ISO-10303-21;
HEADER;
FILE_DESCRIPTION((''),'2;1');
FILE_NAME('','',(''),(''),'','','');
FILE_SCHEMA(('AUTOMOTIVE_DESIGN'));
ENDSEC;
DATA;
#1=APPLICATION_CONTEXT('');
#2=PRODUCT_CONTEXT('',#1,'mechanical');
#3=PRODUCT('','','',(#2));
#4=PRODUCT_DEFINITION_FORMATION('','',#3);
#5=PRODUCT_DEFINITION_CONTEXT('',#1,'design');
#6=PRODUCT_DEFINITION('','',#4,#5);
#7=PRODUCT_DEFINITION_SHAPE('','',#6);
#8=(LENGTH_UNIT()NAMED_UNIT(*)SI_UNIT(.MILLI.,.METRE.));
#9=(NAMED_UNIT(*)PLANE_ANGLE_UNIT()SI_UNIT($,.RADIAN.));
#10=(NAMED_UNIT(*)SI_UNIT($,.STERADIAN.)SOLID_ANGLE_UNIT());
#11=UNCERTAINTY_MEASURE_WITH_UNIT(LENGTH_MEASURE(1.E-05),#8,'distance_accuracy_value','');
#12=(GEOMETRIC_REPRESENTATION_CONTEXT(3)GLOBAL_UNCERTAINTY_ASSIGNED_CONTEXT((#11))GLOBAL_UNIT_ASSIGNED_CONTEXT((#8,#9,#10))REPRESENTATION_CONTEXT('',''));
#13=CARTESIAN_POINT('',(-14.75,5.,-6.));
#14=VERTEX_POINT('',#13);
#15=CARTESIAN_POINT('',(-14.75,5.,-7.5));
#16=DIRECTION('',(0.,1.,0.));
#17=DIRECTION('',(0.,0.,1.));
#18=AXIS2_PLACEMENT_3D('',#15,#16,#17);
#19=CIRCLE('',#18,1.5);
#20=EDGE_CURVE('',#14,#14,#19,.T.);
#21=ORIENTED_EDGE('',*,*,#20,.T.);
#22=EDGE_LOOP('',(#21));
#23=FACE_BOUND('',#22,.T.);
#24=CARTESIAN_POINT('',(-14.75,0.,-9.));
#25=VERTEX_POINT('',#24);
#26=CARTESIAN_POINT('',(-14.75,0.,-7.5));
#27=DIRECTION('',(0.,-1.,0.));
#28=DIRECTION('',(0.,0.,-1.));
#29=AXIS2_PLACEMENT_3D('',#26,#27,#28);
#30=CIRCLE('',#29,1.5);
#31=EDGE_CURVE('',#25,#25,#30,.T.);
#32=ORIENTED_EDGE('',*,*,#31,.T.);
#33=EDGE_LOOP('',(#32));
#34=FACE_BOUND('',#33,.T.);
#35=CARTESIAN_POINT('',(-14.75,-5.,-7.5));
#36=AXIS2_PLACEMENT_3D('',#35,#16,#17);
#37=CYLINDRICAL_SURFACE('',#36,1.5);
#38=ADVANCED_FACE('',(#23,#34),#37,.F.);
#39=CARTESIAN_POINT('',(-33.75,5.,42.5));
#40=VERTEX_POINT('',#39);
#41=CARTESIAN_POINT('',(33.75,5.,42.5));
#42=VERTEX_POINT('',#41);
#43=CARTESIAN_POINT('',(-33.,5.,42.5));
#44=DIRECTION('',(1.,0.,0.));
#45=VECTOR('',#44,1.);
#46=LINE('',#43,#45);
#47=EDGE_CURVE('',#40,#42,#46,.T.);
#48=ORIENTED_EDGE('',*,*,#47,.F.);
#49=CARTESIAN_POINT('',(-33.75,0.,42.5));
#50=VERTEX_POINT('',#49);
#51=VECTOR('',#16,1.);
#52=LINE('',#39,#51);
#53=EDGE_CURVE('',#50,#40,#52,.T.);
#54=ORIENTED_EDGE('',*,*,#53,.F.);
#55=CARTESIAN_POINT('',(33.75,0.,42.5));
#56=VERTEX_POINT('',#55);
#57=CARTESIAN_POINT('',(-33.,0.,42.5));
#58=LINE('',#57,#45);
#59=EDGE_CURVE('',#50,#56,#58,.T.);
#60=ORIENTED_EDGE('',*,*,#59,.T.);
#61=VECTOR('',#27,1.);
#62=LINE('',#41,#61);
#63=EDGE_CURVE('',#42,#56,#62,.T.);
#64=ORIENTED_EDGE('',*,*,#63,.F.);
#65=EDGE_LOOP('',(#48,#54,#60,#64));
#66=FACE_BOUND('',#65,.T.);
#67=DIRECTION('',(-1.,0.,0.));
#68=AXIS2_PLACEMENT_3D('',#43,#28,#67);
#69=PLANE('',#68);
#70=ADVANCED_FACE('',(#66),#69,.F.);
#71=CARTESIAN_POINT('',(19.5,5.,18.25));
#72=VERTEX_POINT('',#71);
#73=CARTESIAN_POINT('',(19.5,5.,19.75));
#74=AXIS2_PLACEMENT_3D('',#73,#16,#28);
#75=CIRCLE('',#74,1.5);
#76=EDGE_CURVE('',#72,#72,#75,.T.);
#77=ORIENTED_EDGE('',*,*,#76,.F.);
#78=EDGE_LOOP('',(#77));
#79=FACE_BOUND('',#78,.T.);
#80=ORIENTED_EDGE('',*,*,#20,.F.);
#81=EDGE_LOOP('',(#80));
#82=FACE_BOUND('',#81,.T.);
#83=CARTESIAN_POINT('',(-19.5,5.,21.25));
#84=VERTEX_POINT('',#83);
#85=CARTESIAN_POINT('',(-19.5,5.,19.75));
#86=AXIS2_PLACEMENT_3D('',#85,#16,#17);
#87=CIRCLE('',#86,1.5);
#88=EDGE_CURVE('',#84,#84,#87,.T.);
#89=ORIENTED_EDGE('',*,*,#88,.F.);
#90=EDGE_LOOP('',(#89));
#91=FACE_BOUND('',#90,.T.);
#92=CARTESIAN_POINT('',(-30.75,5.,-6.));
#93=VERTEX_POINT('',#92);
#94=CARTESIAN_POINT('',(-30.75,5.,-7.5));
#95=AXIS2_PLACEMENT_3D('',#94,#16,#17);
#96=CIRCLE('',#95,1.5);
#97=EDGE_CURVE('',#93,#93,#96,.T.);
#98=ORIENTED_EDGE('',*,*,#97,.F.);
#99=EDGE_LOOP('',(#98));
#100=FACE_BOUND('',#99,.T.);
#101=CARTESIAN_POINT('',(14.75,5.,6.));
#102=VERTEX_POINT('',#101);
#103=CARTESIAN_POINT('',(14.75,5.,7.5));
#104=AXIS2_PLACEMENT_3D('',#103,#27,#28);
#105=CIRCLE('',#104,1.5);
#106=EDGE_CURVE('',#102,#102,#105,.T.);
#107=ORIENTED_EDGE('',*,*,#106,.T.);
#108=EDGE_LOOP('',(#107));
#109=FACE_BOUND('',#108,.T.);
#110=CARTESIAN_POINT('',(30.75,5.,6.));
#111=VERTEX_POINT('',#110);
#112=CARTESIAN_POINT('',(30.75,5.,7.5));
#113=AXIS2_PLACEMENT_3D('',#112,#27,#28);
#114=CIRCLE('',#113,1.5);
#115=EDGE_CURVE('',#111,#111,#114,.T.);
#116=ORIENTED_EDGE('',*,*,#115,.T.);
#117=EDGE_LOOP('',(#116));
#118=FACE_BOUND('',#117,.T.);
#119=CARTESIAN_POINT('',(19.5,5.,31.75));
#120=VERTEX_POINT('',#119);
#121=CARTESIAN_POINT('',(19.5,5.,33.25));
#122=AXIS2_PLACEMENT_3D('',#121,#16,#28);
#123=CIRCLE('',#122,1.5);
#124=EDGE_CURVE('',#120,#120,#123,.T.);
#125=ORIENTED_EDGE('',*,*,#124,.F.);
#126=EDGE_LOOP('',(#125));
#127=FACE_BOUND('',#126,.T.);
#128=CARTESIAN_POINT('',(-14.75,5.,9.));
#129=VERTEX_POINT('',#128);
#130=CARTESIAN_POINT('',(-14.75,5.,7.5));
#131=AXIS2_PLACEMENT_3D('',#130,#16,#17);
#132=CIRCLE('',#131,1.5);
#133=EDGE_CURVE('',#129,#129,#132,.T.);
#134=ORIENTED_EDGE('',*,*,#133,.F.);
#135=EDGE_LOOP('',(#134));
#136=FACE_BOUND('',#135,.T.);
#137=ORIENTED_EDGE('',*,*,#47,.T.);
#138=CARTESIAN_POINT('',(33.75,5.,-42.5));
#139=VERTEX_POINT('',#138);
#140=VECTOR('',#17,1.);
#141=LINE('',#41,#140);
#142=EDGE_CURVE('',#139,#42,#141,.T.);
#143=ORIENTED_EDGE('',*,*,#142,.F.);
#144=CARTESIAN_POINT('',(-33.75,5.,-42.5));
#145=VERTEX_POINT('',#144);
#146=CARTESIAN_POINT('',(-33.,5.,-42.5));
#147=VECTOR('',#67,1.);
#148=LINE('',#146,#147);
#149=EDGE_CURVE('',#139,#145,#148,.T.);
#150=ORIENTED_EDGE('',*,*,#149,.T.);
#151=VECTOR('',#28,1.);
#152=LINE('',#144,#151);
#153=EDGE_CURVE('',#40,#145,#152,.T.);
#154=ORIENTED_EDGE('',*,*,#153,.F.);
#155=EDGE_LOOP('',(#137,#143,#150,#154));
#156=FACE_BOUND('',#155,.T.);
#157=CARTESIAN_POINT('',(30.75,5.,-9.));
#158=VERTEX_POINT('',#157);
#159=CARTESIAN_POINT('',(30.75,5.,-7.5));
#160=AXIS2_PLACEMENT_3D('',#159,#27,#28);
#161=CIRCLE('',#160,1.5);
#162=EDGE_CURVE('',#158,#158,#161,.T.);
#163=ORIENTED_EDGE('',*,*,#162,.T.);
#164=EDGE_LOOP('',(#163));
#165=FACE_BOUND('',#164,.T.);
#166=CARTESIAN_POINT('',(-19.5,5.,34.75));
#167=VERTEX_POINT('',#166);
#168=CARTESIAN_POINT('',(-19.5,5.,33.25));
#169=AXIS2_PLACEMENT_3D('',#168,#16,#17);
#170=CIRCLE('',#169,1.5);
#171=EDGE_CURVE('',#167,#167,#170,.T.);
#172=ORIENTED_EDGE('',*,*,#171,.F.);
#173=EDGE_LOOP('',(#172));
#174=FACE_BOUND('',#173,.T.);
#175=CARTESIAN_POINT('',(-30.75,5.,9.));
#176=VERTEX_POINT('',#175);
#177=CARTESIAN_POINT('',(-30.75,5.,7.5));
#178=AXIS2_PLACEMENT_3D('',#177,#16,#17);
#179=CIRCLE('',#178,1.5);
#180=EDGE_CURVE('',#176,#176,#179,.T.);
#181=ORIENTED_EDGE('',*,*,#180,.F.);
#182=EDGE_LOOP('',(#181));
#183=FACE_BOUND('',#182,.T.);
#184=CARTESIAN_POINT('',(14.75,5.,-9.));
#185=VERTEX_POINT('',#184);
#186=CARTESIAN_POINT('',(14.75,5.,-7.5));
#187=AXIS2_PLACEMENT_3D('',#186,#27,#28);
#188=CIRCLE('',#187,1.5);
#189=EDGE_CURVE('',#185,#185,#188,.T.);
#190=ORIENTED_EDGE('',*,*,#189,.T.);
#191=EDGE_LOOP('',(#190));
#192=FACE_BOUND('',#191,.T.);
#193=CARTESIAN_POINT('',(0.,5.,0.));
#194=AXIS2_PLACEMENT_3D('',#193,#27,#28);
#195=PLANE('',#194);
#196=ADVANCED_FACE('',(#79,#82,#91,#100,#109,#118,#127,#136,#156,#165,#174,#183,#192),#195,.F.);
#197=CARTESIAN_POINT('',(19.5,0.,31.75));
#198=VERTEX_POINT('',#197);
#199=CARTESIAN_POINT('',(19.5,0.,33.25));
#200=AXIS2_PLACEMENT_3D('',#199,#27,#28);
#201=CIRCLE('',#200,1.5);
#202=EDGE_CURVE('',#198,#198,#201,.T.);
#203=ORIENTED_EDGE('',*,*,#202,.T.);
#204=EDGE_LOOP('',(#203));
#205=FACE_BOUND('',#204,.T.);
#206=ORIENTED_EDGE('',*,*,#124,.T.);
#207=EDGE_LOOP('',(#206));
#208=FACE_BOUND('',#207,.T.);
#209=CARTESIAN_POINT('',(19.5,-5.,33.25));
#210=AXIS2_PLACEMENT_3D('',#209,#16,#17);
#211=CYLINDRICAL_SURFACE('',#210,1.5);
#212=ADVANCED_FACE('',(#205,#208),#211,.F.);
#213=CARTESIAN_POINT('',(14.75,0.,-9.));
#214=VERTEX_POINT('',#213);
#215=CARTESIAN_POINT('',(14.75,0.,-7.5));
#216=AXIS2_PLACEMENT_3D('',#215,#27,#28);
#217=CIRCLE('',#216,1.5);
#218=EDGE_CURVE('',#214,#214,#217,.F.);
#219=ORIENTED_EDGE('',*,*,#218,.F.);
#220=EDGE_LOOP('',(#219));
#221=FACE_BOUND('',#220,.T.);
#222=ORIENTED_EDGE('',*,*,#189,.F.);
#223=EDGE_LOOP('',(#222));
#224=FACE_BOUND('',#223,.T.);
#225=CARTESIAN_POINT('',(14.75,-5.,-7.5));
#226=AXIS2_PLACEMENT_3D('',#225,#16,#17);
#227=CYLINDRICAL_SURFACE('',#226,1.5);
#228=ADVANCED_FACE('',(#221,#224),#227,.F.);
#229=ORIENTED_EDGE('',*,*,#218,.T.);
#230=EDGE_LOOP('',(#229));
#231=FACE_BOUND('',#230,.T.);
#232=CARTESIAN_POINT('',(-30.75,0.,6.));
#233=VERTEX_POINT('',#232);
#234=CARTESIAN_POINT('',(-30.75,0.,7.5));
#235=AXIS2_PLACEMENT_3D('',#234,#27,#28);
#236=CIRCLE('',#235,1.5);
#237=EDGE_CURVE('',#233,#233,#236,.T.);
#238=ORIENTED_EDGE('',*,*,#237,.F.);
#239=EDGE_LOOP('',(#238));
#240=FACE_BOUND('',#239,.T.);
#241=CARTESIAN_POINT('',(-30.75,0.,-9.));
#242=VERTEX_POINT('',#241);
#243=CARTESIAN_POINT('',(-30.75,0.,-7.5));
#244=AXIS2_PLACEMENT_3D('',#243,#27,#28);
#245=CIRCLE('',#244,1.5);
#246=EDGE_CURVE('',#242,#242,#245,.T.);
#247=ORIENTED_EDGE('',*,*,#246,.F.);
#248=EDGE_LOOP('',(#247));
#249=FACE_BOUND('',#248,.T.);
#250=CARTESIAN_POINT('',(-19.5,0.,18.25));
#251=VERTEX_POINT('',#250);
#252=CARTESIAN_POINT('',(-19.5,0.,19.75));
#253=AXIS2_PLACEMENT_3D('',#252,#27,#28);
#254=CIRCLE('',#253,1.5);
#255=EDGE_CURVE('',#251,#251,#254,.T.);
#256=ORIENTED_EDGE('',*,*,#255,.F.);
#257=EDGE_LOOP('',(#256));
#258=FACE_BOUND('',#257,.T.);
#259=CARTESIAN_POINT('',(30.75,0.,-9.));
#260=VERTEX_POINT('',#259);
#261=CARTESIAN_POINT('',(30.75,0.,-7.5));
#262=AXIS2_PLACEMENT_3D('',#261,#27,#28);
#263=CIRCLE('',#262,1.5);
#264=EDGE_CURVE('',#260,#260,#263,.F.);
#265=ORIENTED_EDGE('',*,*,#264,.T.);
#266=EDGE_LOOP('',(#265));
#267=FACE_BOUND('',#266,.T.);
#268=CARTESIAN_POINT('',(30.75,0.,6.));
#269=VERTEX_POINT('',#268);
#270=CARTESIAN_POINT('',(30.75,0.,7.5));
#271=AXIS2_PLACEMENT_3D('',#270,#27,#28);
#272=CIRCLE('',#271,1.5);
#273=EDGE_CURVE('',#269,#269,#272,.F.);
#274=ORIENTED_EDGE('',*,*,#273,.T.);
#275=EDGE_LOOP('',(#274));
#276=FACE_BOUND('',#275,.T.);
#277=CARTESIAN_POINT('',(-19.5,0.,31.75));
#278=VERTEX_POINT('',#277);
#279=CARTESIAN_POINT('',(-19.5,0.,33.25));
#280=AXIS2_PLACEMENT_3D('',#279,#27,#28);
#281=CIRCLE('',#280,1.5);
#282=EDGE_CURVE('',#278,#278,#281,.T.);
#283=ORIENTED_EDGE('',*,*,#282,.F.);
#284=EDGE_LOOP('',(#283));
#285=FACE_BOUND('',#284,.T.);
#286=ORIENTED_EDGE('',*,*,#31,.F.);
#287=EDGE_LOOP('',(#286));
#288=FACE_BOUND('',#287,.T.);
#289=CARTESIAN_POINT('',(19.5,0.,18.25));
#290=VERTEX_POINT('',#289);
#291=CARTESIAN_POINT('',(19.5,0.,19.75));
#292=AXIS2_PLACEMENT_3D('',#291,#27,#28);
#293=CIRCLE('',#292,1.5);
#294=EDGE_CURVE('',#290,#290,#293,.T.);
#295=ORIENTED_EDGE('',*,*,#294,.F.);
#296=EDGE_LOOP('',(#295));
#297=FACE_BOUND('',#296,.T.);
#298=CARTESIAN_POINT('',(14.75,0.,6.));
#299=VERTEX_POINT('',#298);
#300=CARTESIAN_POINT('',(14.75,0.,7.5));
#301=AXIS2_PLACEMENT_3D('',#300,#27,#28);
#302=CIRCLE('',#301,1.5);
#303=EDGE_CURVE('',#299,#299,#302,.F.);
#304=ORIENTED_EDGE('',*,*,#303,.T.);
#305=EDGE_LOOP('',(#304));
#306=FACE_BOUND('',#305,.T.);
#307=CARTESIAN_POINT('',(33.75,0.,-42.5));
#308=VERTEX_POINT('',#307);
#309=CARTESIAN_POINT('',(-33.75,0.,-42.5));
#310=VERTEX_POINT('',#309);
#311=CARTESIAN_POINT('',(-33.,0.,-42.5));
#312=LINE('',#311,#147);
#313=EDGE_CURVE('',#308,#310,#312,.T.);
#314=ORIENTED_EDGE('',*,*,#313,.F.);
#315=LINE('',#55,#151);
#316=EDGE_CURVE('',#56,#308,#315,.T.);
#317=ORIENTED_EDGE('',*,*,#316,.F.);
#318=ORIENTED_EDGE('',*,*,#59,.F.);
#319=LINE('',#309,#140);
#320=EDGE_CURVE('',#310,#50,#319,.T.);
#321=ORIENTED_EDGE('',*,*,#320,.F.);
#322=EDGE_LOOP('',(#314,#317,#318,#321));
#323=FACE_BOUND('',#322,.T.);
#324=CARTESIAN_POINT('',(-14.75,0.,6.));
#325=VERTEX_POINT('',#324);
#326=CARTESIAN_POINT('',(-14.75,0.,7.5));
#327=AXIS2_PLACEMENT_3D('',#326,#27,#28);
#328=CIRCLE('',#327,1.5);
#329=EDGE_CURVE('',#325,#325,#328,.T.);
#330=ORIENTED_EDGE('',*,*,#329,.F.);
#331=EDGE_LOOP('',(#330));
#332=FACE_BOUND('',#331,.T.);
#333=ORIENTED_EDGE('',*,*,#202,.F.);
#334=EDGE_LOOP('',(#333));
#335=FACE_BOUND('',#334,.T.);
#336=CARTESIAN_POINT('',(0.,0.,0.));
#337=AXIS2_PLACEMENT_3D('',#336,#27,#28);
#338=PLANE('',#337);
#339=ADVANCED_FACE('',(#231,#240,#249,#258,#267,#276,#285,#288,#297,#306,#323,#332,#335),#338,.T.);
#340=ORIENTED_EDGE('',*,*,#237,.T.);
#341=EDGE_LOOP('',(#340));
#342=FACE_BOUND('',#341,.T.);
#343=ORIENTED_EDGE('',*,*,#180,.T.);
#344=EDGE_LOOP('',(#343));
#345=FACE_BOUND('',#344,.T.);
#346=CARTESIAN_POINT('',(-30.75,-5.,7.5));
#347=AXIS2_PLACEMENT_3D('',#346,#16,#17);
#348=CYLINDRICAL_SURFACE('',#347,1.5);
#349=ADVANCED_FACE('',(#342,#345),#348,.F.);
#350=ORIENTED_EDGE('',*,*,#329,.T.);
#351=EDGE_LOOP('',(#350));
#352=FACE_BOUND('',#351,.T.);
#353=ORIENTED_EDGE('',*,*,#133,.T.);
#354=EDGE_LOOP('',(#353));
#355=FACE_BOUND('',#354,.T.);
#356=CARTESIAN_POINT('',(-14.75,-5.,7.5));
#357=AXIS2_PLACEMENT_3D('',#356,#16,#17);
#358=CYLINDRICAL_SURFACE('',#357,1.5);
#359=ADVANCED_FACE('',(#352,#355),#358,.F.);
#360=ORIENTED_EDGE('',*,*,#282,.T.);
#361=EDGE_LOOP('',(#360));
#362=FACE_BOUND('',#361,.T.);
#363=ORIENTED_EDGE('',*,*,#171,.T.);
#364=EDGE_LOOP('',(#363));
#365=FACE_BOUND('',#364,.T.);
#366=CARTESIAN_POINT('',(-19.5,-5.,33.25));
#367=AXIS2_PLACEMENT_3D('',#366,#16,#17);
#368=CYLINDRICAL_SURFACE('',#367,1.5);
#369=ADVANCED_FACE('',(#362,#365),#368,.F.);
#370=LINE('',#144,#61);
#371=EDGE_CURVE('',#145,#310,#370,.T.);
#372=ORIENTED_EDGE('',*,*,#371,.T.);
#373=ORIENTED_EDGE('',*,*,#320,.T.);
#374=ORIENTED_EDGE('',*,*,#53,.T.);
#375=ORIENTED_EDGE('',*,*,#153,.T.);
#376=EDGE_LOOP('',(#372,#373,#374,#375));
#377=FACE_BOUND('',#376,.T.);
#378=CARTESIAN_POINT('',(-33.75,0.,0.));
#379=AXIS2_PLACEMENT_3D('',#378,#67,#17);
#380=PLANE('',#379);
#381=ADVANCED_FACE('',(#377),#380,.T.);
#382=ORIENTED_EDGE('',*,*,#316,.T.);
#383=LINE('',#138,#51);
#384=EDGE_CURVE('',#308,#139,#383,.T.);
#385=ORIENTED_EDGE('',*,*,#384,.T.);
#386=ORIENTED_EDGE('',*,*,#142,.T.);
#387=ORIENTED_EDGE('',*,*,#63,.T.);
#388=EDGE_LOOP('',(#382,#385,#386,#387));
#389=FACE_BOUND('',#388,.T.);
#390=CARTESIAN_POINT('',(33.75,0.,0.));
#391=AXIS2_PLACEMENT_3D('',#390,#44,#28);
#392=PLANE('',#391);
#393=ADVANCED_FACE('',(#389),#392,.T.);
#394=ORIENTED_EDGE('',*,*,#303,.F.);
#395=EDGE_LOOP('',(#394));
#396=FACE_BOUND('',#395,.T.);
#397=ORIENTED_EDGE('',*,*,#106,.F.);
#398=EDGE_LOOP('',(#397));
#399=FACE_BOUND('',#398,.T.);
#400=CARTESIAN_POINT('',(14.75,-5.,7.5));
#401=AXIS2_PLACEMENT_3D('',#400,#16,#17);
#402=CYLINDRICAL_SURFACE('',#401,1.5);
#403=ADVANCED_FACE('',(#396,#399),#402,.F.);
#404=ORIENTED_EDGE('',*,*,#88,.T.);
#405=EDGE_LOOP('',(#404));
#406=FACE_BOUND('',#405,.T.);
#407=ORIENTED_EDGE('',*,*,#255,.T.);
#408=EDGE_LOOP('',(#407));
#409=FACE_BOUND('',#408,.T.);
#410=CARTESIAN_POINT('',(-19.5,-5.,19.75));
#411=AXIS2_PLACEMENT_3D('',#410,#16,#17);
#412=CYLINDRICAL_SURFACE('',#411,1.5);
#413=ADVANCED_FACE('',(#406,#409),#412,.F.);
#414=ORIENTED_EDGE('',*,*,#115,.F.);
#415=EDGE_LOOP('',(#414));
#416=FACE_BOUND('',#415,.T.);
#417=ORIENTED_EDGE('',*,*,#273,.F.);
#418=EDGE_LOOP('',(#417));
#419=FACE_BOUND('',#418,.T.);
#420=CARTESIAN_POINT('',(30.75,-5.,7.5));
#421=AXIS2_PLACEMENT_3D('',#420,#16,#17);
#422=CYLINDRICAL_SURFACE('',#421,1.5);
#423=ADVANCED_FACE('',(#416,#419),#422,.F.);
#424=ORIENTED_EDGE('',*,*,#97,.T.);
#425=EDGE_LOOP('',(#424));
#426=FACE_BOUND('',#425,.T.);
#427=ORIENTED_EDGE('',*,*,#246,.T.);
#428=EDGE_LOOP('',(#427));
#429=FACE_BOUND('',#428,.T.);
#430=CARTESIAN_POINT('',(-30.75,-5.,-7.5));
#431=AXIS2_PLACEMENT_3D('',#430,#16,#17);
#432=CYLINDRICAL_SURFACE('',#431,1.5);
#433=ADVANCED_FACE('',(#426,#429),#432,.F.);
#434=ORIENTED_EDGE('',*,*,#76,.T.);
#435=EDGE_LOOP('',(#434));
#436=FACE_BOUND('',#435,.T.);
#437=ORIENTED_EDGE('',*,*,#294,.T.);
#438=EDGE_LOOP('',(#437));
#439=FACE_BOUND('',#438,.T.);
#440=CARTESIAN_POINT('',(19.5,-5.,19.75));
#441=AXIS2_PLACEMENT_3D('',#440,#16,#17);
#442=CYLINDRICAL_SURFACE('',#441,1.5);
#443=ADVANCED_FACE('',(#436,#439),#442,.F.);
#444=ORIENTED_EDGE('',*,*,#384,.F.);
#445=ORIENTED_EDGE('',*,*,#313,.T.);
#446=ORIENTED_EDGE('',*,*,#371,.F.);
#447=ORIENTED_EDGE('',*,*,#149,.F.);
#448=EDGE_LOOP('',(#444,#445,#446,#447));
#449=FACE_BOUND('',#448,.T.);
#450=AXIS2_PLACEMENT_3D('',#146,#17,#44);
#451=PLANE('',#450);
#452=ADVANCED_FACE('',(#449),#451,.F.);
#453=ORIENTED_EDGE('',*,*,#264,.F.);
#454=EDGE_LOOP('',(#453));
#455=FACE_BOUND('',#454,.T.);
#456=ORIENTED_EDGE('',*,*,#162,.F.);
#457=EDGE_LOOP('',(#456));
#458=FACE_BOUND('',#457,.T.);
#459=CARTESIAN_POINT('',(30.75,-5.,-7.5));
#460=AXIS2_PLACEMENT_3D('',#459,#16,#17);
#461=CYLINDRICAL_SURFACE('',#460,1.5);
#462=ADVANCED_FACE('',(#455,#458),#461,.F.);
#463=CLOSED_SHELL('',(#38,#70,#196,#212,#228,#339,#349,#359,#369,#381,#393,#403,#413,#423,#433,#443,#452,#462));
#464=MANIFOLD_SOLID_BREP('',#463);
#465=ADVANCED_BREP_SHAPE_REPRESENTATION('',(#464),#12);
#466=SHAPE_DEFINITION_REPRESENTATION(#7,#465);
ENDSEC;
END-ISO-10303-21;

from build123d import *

# Parameters (mm, degrees)
SKETCH1_W           = 66
SKETCH1_H           = 85
BOSS_EXTRUDE1_DEPTH = 5
SKETCH4_R           = 1.5
CUT_EXTRUDE2_DEPTH  = 10
SKETCH8_W           = 85
SKETCH8_H           = 5
BOSS_EXTRUDE2_DEPTH = 0.75
SKETCH9_W           = 85
SKETCH9_H           = 5
BOSS_EXTRUDE3_DEPTH = 0.75
SKETCH10_R          = 1.5
CUT_EXTRUDE3_DEPTH  = 10


with BuildPart() as part:
    # Sketch1 → Boss-Extrude1 (new body)
    with BuildSketch(Plane(origin=(0, 0, 0), x_dir=(1, 0, 0), z_dir=(0, 1, 0))):
        Rectangle(SKETCH1_W, SKETCH1_H)
    extrude(amount=BOSS_EXTRUDE1_DEPTH)

    # Sketch4 → Cut-Extrude2 (cut)
    with BuildSketch(Plane(origin=(0, 5, 0), x_dir=(1, 0, 0), z_dir=(0, 1, 0))):
        with Locations((-30.75, 7.5)):
            Circle(SKETCH4_R)
        with Locations((-14.75, 7.5)):
            Circle(SKETCH4_R)
        with Locations((-30.75, -7.5)):
            Circle(SKETCH4_R)
        with Locations((-14.75, -7.5)):
            Circle(SKETCH4_R)
        with Locations((14.75, -7.5)):
            Circle(SKETCH4_R)
        with Locations((30.75, -7.5)):
            Circle(SKETCH4_R)
        with Locations((14.75, 7.5)):
            Circle(SKETCH4_R)
        with Locations((30.75, 7.5)):
            Circle(SKETCH4_R)
    extrude(amount=-CUT_EXTRUDE2_DEPTH, mode=Mode.SUBTRACT)

    # Sketch8 → Boss-Extrude2 (add)
    with BuildSketch(Plane.ZY.offset(33)):
        with Locations((0, 2.5)):
            Rectangle(SKETCH8_W, SKETCH8_H)
    extrude(amount=BOSS_EXTRUDE2_DEPTH)

    # Sketch9 → Boss-Extrude3 (add)
    with BuildSketch(Plane(origin=(33, 0, 0), x_dir=(0, 0, -1), z_dir=(1, 0, 0))):
        with Locations((0, 2.5)):
            Rectangle(SKETCH9_W, SKETCH9_H)
    extrude(amount=BOSS_EXTRUDE3_DEPTH)

    # Sketch10 → Cut-Extrude3 (cut)
    with BuildSketch(Plane(origin=(0, 5, 0), x_dir=(1, 0, 0), z_dir=(0, 1, 0))):
        with Locations((-19.5, -33.25)):
            Circle(SKETCH10_R)
        with Locations((-19.5, -19.75)):
            Circle(SKETCH10_R)
        with Locations((19.5, -33.25)):
            Circle(SKETCH10_R)
        with Locations((19.5, -19.75)):
            Circle(SKETCH10_R)
    extrude(amount=-CUT_EXTRUDE3_DEPTH, mode=Mode.SUBTRACT)


solid = part.part
